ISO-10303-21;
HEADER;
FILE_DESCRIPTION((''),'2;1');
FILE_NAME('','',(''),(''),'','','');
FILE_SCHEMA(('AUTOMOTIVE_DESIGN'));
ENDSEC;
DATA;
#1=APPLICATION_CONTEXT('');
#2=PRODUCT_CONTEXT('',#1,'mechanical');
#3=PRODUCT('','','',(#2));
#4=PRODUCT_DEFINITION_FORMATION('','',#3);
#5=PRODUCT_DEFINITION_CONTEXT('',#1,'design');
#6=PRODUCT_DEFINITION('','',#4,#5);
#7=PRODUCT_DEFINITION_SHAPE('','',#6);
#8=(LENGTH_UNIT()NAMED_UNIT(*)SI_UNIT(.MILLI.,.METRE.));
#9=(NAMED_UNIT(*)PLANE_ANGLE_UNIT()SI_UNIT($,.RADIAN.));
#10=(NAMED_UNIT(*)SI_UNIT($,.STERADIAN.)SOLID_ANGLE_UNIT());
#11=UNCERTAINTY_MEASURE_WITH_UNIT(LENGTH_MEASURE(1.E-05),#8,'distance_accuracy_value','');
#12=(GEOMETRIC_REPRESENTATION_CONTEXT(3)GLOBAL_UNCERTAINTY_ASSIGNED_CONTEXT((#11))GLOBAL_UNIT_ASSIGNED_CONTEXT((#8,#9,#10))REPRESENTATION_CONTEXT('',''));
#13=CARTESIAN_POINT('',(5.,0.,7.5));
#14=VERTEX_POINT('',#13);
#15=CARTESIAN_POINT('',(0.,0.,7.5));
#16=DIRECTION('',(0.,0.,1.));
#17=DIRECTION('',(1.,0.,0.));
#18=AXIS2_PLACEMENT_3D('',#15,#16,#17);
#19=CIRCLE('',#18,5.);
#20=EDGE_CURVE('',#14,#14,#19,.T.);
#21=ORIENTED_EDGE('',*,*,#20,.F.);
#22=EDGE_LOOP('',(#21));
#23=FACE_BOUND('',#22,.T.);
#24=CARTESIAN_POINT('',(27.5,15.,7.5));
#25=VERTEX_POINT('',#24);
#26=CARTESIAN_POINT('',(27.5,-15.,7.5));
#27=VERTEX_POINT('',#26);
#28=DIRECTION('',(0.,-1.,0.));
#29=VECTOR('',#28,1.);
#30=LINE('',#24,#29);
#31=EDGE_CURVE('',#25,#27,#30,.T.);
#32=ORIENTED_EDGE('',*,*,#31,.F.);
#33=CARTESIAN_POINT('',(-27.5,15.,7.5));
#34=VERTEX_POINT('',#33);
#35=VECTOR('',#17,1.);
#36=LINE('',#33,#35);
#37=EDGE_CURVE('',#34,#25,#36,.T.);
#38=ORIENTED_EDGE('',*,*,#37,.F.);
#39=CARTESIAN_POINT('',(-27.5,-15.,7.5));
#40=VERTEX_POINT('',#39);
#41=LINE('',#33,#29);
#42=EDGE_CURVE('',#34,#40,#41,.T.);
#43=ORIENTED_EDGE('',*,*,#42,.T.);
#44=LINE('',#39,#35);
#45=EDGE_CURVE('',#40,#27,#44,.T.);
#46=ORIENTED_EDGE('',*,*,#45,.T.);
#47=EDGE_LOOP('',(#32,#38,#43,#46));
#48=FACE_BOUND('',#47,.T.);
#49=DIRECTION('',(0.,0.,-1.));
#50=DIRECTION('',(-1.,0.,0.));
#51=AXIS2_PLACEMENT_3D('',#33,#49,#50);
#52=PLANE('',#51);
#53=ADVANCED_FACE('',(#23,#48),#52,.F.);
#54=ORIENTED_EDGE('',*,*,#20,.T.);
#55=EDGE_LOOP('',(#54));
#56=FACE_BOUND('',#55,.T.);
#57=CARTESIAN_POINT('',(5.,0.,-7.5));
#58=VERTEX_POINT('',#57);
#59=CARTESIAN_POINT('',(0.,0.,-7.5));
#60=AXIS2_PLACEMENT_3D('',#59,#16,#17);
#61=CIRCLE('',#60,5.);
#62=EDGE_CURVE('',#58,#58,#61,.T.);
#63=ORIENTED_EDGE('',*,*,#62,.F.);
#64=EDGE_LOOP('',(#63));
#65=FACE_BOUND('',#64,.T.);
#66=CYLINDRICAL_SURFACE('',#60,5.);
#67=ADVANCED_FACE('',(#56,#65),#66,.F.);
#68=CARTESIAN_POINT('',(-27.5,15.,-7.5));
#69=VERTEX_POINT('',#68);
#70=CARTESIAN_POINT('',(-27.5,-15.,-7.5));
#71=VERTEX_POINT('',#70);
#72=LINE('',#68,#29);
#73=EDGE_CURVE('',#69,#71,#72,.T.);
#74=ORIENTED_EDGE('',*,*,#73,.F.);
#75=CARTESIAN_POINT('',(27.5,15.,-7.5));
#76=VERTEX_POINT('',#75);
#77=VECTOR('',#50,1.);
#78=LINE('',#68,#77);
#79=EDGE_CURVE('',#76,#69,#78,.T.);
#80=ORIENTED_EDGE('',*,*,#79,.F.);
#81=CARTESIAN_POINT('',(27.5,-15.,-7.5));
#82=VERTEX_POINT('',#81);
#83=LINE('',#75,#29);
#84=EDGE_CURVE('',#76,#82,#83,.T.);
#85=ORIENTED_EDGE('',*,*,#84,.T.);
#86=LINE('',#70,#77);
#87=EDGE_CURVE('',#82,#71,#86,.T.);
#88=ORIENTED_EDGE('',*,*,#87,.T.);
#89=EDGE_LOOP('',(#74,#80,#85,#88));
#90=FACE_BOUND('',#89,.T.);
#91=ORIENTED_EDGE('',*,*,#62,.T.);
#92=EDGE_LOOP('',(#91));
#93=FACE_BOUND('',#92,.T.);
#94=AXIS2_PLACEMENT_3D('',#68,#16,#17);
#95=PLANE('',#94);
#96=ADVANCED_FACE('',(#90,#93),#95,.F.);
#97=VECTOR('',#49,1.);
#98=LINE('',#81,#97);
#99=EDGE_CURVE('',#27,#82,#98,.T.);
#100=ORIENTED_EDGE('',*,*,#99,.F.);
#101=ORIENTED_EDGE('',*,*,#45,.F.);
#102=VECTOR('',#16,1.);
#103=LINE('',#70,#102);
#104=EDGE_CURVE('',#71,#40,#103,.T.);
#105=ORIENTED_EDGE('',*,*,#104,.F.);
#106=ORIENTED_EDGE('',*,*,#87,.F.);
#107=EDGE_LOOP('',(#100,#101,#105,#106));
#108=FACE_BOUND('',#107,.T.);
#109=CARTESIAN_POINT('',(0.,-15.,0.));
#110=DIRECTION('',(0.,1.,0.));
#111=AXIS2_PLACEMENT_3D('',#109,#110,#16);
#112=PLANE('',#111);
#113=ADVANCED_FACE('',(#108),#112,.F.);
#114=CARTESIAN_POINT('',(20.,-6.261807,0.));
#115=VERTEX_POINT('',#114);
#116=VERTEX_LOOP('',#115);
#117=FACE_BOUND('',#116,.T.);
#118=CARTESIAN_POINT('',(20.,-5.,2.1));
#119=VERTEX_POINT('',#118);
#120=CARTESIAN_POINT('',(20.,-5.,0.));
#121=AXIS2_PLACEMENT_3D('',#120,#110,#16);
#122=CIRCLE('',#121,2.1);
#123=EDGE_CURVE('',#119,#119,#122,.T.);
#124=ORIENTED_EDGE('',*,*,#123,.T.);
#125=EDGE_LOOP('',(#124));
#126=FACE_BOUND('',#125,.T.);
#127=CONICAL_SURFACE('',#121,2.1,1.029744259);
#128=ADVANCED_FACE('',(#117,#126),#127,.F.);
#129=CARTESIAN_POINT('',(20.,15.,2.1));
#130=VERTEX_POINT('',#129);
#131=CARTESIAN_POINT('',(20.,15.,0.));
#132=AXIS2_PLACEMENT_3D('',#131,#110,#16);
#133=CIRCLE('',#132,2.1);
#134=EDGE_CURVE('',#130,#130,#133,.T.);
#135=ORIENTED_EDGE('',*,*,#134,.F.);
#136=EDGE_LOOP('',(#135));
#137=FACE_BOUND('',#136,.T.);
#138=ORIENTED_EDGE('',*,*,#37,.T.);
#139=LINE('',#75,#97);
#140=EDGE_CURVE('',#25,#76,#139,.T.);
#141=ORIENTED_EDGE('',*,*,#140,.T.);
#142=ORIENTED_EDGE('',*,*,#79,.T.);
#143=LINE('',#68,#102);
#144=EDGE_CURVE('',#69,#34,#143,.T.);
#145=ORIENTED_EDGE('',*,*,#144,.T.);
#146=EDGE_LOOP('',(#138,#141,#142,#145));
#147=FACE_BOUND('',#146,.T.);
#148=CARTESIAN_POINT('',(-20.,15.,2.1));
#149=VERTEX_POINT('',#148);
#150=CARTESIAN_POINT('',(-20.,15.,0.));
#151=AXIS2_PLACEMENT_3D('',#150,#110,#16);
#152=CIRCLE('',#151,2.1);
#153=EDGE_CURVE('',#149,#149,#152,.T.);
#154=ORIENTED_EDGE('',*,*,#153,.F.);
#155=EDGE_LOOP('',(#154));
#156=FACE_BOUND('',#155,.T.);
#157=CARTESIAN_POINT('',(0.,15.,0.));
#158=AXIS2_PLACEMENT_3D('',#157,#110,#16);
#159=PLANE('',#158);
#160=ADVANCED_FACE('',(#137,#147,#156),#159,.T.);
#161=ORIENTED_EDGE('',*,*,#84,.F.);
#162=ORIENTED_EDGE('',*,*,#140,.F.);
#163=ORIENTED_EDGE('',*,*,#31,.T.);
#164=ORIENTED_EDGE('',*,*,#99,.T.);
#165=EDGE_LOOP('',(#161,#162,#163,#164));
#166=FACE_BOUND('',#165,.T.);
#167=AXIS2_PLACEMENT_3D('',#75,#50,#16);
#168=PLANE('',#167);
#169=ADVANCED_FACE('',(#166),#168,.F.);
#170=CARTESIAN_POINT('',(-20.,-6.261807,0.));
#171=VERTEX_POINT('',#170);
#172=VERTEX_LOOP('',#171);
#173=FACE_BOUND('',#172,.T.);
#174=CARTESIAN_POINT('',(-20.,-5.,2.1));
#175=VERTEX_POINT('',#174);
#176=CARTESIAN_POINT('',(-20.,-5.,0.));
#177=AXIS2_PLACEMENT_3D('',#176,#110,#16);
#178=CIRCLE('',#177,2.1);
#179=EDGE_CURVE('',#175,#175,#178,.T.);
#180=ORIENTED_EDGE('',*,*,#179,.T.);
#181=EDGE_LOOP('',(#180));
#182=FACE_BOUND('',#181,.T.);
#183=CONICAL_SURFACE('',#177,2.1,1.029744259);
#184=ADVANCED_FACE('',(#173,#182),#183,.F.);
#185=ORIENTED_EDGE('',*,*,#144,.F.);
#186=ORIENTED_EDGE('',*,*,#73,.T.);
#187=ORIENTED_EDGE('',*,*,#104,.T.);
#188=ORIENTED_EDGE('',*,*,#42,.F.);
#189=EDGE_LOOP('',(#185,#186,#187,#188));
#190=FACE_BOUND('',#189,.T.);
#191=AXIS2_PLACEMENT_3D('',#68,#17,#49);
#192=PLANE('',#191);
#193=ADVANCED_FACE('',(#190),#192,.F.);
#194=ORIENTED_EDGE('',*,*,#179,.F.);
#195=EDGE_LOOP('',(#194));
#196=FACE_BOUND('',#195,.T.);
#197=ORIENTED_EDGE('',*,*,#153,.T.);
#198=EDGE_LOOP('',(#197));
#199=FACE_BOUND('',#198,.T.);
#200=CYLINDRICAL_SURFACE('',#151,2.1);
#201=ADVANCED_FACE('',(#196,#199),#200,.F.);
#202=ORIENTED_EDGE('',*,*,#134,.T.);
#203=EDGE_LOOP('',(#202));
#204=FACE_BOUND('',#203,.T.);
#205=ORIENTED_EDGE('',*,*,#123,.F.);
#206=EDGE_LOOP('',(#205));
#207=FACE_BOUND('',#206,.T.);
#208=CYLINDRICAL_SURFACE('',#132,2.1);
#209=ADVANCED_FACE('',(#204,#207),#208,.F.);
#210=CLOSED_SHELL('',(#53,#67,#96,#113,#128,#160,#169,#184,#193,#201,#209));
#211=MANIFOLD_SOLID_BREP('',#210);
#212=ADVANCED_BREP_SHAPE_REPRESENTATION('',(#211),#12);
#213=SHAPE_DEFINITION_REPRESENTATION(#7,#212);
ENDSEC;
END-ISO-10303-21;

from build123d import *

# Parameters (mm, degrees)
SKETCH1_W             = 55
SKETCH1_H             = 15
BOSS_EXTRUDE1_DEPTH   = 15
SKETCH3_R             = 5
CUT_EXTRUDE1_DEPTH    = 35.731109974
M5_TAPPED_HOLE1_D     = 4.2
M5_TAPPED_HOLE1_DEPTH = 20
M5_TAPPED_HOLE1_TIP   = 1.2618073


with BuildPart() as part:
    # Sketch1 → Boss-Extrude1 (new, symmetric)
    with BuildSketch(Plane(origin=(0, 0, 0), x_dir=(1, 0, 0), z_dir=(0, 1, 0))):
        Rectangle(SKETCH1_W, SKETCH1_H)
    extrude(amount=BOSS_EXTRUDE1_DEPTH, both=True)

    # Sketch3 → Cut-Extrude1 (cut, through all)
    with BuildSketch(Plane.XY.offset(7.5)):
        Circle(SKETCH3_R)
    extrude(amount=-CUT_EXTRUDE1_DEPTH, mode=Mode.SUBTRACT)

    # M5 Tapped Hole1
    with Locations(Plane(origin=(0, 15, 0), x_dir=(1, 0, 0), z_dir=(0, 1, 0))):
        with Locations((-20, 0), (20, 0)):
            Hole(M5_TAPPED_HOLE1_D / 2, depth=M5_TAPPED_HOLE1_DEPTH)
            with Locations((0, 0, -(M5_TAPPED_HOLE1_DEPTH + M5_TAPPED_HOLE1_TIP / 2))):  # 118° drill point
                Cone(0, M5_TAPPED_HOLE1_D / 2, M5_TAPPED_HOLE1_TIP, mode=Mode.SUBTRACT)


solid = part.part
